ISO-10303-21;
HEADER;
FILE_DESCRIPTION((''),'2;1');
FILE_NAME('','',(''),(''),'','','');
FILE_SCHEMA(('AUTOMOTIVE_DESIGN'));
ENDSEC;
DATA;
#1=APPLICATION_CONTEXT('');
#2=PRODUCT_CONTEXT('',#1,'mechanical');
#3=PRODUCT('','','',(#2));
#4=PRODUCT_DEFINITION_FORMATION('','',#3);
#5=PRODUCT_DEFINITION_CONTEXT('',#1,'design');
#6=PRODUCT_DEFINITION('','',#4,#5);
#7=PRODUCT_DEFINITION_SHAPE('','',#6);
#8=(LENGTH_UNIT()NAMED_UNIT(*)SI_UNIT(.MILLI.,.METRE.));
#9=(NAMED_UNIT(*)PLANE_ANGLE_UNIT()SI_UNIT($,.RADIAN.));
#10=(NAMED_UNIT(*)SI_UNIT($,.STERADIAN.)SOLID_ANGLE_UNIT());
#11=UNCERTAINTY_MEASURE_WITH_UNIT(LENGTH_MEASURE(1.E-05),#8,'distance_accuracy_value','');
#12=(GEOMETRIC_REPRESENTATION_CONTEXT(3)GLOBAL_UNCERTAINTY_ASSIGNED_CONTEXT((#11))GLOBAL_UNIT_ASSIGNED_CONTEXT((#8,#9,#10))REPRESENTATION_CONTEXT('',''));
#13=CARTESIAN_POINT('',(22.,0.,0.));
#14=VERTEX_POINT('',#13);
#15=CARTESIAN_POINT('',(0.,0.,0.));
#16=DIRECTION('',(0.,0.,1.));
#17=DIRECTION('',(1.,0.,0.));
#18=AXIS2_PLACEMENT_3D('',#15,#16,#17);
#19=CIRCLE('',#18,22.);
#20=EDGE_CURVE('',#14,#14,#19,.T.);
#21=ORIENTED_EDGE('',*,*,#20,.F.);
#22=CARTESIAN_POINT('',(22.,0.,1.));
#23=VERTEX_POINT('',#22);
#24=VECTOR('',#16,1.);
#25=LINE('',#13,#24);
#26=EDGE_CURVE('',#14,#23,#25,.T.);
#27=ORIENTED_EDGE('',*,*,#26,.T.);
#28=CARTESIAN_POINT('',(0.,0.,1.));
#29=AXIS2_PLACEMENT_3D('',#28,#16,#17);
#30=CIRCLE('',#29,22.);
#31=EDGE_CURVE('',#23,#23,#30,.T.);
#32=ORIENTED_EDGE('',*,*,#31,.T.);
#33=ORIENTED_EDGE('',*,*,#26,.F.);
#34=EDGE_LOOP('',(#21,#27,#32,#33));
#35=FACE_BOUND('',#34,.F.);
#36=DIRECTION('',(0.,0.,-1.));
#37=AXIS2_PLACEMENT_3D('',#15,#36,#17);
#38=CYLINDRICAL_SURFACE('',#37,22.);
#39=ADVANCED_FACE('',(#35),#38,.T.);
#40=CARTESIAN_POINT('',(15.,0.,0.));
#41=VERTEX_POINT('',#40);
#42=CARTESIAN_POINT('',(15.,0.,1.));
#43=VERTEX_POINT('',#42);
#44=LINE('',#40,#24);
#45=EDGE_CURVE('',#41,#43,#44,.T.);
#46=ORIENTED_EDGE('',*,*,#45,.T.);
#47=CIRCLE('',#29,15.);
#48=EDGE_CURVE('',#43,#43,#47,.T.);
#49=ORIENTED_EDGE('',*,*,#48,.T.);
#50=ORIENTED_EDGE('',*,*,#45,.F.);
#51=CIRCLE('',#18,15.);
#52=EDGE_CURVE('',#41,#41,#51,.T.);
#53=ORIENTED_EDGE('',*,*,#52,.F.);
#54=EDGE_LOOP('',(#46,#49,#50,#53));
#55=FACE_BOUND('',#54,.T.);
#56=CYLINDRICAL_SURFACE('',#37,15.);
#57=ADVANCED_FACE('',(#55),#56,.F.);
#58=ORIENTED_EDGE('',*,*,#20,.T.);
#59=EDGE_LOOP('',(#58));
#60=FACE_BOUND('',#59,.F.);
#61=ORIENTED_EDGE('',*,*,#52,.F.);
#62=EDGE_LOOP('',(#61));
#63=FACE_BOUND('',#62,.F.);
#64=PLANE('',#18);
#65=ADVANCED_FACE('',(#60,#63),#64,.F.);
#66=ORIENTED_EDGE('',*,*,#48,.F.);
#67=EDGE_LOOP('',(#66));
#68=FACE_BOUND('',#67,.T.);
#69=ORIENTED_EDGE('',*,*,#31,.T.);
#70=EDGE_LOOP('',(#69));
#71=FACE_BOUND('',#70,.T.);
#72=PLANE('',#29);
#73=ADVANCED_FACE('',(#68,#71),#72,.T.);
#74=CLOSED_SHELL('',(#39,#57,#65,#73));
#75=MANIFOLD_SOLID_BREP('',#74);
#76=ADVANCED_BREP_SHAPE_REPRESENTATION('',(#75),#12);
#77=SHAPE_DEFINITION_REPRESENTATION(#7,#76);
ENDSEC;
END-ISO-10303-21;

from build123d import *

# Parameters (mm, degrees)
SKETCH_R   = 22
SKETCH_R_2 = 15
PAD_DEPTH  = 1


with BuildPart() as part:
    # Sketch → Pad (new body)
    with BuildSketch(Plane.XY):
        Circle(SKETCH_R)
        Circle(SKETCH_R_2, mode=Mode.SUBTRACT)
    extrude(amount=PAD_DEPTH)


solid = part.part
